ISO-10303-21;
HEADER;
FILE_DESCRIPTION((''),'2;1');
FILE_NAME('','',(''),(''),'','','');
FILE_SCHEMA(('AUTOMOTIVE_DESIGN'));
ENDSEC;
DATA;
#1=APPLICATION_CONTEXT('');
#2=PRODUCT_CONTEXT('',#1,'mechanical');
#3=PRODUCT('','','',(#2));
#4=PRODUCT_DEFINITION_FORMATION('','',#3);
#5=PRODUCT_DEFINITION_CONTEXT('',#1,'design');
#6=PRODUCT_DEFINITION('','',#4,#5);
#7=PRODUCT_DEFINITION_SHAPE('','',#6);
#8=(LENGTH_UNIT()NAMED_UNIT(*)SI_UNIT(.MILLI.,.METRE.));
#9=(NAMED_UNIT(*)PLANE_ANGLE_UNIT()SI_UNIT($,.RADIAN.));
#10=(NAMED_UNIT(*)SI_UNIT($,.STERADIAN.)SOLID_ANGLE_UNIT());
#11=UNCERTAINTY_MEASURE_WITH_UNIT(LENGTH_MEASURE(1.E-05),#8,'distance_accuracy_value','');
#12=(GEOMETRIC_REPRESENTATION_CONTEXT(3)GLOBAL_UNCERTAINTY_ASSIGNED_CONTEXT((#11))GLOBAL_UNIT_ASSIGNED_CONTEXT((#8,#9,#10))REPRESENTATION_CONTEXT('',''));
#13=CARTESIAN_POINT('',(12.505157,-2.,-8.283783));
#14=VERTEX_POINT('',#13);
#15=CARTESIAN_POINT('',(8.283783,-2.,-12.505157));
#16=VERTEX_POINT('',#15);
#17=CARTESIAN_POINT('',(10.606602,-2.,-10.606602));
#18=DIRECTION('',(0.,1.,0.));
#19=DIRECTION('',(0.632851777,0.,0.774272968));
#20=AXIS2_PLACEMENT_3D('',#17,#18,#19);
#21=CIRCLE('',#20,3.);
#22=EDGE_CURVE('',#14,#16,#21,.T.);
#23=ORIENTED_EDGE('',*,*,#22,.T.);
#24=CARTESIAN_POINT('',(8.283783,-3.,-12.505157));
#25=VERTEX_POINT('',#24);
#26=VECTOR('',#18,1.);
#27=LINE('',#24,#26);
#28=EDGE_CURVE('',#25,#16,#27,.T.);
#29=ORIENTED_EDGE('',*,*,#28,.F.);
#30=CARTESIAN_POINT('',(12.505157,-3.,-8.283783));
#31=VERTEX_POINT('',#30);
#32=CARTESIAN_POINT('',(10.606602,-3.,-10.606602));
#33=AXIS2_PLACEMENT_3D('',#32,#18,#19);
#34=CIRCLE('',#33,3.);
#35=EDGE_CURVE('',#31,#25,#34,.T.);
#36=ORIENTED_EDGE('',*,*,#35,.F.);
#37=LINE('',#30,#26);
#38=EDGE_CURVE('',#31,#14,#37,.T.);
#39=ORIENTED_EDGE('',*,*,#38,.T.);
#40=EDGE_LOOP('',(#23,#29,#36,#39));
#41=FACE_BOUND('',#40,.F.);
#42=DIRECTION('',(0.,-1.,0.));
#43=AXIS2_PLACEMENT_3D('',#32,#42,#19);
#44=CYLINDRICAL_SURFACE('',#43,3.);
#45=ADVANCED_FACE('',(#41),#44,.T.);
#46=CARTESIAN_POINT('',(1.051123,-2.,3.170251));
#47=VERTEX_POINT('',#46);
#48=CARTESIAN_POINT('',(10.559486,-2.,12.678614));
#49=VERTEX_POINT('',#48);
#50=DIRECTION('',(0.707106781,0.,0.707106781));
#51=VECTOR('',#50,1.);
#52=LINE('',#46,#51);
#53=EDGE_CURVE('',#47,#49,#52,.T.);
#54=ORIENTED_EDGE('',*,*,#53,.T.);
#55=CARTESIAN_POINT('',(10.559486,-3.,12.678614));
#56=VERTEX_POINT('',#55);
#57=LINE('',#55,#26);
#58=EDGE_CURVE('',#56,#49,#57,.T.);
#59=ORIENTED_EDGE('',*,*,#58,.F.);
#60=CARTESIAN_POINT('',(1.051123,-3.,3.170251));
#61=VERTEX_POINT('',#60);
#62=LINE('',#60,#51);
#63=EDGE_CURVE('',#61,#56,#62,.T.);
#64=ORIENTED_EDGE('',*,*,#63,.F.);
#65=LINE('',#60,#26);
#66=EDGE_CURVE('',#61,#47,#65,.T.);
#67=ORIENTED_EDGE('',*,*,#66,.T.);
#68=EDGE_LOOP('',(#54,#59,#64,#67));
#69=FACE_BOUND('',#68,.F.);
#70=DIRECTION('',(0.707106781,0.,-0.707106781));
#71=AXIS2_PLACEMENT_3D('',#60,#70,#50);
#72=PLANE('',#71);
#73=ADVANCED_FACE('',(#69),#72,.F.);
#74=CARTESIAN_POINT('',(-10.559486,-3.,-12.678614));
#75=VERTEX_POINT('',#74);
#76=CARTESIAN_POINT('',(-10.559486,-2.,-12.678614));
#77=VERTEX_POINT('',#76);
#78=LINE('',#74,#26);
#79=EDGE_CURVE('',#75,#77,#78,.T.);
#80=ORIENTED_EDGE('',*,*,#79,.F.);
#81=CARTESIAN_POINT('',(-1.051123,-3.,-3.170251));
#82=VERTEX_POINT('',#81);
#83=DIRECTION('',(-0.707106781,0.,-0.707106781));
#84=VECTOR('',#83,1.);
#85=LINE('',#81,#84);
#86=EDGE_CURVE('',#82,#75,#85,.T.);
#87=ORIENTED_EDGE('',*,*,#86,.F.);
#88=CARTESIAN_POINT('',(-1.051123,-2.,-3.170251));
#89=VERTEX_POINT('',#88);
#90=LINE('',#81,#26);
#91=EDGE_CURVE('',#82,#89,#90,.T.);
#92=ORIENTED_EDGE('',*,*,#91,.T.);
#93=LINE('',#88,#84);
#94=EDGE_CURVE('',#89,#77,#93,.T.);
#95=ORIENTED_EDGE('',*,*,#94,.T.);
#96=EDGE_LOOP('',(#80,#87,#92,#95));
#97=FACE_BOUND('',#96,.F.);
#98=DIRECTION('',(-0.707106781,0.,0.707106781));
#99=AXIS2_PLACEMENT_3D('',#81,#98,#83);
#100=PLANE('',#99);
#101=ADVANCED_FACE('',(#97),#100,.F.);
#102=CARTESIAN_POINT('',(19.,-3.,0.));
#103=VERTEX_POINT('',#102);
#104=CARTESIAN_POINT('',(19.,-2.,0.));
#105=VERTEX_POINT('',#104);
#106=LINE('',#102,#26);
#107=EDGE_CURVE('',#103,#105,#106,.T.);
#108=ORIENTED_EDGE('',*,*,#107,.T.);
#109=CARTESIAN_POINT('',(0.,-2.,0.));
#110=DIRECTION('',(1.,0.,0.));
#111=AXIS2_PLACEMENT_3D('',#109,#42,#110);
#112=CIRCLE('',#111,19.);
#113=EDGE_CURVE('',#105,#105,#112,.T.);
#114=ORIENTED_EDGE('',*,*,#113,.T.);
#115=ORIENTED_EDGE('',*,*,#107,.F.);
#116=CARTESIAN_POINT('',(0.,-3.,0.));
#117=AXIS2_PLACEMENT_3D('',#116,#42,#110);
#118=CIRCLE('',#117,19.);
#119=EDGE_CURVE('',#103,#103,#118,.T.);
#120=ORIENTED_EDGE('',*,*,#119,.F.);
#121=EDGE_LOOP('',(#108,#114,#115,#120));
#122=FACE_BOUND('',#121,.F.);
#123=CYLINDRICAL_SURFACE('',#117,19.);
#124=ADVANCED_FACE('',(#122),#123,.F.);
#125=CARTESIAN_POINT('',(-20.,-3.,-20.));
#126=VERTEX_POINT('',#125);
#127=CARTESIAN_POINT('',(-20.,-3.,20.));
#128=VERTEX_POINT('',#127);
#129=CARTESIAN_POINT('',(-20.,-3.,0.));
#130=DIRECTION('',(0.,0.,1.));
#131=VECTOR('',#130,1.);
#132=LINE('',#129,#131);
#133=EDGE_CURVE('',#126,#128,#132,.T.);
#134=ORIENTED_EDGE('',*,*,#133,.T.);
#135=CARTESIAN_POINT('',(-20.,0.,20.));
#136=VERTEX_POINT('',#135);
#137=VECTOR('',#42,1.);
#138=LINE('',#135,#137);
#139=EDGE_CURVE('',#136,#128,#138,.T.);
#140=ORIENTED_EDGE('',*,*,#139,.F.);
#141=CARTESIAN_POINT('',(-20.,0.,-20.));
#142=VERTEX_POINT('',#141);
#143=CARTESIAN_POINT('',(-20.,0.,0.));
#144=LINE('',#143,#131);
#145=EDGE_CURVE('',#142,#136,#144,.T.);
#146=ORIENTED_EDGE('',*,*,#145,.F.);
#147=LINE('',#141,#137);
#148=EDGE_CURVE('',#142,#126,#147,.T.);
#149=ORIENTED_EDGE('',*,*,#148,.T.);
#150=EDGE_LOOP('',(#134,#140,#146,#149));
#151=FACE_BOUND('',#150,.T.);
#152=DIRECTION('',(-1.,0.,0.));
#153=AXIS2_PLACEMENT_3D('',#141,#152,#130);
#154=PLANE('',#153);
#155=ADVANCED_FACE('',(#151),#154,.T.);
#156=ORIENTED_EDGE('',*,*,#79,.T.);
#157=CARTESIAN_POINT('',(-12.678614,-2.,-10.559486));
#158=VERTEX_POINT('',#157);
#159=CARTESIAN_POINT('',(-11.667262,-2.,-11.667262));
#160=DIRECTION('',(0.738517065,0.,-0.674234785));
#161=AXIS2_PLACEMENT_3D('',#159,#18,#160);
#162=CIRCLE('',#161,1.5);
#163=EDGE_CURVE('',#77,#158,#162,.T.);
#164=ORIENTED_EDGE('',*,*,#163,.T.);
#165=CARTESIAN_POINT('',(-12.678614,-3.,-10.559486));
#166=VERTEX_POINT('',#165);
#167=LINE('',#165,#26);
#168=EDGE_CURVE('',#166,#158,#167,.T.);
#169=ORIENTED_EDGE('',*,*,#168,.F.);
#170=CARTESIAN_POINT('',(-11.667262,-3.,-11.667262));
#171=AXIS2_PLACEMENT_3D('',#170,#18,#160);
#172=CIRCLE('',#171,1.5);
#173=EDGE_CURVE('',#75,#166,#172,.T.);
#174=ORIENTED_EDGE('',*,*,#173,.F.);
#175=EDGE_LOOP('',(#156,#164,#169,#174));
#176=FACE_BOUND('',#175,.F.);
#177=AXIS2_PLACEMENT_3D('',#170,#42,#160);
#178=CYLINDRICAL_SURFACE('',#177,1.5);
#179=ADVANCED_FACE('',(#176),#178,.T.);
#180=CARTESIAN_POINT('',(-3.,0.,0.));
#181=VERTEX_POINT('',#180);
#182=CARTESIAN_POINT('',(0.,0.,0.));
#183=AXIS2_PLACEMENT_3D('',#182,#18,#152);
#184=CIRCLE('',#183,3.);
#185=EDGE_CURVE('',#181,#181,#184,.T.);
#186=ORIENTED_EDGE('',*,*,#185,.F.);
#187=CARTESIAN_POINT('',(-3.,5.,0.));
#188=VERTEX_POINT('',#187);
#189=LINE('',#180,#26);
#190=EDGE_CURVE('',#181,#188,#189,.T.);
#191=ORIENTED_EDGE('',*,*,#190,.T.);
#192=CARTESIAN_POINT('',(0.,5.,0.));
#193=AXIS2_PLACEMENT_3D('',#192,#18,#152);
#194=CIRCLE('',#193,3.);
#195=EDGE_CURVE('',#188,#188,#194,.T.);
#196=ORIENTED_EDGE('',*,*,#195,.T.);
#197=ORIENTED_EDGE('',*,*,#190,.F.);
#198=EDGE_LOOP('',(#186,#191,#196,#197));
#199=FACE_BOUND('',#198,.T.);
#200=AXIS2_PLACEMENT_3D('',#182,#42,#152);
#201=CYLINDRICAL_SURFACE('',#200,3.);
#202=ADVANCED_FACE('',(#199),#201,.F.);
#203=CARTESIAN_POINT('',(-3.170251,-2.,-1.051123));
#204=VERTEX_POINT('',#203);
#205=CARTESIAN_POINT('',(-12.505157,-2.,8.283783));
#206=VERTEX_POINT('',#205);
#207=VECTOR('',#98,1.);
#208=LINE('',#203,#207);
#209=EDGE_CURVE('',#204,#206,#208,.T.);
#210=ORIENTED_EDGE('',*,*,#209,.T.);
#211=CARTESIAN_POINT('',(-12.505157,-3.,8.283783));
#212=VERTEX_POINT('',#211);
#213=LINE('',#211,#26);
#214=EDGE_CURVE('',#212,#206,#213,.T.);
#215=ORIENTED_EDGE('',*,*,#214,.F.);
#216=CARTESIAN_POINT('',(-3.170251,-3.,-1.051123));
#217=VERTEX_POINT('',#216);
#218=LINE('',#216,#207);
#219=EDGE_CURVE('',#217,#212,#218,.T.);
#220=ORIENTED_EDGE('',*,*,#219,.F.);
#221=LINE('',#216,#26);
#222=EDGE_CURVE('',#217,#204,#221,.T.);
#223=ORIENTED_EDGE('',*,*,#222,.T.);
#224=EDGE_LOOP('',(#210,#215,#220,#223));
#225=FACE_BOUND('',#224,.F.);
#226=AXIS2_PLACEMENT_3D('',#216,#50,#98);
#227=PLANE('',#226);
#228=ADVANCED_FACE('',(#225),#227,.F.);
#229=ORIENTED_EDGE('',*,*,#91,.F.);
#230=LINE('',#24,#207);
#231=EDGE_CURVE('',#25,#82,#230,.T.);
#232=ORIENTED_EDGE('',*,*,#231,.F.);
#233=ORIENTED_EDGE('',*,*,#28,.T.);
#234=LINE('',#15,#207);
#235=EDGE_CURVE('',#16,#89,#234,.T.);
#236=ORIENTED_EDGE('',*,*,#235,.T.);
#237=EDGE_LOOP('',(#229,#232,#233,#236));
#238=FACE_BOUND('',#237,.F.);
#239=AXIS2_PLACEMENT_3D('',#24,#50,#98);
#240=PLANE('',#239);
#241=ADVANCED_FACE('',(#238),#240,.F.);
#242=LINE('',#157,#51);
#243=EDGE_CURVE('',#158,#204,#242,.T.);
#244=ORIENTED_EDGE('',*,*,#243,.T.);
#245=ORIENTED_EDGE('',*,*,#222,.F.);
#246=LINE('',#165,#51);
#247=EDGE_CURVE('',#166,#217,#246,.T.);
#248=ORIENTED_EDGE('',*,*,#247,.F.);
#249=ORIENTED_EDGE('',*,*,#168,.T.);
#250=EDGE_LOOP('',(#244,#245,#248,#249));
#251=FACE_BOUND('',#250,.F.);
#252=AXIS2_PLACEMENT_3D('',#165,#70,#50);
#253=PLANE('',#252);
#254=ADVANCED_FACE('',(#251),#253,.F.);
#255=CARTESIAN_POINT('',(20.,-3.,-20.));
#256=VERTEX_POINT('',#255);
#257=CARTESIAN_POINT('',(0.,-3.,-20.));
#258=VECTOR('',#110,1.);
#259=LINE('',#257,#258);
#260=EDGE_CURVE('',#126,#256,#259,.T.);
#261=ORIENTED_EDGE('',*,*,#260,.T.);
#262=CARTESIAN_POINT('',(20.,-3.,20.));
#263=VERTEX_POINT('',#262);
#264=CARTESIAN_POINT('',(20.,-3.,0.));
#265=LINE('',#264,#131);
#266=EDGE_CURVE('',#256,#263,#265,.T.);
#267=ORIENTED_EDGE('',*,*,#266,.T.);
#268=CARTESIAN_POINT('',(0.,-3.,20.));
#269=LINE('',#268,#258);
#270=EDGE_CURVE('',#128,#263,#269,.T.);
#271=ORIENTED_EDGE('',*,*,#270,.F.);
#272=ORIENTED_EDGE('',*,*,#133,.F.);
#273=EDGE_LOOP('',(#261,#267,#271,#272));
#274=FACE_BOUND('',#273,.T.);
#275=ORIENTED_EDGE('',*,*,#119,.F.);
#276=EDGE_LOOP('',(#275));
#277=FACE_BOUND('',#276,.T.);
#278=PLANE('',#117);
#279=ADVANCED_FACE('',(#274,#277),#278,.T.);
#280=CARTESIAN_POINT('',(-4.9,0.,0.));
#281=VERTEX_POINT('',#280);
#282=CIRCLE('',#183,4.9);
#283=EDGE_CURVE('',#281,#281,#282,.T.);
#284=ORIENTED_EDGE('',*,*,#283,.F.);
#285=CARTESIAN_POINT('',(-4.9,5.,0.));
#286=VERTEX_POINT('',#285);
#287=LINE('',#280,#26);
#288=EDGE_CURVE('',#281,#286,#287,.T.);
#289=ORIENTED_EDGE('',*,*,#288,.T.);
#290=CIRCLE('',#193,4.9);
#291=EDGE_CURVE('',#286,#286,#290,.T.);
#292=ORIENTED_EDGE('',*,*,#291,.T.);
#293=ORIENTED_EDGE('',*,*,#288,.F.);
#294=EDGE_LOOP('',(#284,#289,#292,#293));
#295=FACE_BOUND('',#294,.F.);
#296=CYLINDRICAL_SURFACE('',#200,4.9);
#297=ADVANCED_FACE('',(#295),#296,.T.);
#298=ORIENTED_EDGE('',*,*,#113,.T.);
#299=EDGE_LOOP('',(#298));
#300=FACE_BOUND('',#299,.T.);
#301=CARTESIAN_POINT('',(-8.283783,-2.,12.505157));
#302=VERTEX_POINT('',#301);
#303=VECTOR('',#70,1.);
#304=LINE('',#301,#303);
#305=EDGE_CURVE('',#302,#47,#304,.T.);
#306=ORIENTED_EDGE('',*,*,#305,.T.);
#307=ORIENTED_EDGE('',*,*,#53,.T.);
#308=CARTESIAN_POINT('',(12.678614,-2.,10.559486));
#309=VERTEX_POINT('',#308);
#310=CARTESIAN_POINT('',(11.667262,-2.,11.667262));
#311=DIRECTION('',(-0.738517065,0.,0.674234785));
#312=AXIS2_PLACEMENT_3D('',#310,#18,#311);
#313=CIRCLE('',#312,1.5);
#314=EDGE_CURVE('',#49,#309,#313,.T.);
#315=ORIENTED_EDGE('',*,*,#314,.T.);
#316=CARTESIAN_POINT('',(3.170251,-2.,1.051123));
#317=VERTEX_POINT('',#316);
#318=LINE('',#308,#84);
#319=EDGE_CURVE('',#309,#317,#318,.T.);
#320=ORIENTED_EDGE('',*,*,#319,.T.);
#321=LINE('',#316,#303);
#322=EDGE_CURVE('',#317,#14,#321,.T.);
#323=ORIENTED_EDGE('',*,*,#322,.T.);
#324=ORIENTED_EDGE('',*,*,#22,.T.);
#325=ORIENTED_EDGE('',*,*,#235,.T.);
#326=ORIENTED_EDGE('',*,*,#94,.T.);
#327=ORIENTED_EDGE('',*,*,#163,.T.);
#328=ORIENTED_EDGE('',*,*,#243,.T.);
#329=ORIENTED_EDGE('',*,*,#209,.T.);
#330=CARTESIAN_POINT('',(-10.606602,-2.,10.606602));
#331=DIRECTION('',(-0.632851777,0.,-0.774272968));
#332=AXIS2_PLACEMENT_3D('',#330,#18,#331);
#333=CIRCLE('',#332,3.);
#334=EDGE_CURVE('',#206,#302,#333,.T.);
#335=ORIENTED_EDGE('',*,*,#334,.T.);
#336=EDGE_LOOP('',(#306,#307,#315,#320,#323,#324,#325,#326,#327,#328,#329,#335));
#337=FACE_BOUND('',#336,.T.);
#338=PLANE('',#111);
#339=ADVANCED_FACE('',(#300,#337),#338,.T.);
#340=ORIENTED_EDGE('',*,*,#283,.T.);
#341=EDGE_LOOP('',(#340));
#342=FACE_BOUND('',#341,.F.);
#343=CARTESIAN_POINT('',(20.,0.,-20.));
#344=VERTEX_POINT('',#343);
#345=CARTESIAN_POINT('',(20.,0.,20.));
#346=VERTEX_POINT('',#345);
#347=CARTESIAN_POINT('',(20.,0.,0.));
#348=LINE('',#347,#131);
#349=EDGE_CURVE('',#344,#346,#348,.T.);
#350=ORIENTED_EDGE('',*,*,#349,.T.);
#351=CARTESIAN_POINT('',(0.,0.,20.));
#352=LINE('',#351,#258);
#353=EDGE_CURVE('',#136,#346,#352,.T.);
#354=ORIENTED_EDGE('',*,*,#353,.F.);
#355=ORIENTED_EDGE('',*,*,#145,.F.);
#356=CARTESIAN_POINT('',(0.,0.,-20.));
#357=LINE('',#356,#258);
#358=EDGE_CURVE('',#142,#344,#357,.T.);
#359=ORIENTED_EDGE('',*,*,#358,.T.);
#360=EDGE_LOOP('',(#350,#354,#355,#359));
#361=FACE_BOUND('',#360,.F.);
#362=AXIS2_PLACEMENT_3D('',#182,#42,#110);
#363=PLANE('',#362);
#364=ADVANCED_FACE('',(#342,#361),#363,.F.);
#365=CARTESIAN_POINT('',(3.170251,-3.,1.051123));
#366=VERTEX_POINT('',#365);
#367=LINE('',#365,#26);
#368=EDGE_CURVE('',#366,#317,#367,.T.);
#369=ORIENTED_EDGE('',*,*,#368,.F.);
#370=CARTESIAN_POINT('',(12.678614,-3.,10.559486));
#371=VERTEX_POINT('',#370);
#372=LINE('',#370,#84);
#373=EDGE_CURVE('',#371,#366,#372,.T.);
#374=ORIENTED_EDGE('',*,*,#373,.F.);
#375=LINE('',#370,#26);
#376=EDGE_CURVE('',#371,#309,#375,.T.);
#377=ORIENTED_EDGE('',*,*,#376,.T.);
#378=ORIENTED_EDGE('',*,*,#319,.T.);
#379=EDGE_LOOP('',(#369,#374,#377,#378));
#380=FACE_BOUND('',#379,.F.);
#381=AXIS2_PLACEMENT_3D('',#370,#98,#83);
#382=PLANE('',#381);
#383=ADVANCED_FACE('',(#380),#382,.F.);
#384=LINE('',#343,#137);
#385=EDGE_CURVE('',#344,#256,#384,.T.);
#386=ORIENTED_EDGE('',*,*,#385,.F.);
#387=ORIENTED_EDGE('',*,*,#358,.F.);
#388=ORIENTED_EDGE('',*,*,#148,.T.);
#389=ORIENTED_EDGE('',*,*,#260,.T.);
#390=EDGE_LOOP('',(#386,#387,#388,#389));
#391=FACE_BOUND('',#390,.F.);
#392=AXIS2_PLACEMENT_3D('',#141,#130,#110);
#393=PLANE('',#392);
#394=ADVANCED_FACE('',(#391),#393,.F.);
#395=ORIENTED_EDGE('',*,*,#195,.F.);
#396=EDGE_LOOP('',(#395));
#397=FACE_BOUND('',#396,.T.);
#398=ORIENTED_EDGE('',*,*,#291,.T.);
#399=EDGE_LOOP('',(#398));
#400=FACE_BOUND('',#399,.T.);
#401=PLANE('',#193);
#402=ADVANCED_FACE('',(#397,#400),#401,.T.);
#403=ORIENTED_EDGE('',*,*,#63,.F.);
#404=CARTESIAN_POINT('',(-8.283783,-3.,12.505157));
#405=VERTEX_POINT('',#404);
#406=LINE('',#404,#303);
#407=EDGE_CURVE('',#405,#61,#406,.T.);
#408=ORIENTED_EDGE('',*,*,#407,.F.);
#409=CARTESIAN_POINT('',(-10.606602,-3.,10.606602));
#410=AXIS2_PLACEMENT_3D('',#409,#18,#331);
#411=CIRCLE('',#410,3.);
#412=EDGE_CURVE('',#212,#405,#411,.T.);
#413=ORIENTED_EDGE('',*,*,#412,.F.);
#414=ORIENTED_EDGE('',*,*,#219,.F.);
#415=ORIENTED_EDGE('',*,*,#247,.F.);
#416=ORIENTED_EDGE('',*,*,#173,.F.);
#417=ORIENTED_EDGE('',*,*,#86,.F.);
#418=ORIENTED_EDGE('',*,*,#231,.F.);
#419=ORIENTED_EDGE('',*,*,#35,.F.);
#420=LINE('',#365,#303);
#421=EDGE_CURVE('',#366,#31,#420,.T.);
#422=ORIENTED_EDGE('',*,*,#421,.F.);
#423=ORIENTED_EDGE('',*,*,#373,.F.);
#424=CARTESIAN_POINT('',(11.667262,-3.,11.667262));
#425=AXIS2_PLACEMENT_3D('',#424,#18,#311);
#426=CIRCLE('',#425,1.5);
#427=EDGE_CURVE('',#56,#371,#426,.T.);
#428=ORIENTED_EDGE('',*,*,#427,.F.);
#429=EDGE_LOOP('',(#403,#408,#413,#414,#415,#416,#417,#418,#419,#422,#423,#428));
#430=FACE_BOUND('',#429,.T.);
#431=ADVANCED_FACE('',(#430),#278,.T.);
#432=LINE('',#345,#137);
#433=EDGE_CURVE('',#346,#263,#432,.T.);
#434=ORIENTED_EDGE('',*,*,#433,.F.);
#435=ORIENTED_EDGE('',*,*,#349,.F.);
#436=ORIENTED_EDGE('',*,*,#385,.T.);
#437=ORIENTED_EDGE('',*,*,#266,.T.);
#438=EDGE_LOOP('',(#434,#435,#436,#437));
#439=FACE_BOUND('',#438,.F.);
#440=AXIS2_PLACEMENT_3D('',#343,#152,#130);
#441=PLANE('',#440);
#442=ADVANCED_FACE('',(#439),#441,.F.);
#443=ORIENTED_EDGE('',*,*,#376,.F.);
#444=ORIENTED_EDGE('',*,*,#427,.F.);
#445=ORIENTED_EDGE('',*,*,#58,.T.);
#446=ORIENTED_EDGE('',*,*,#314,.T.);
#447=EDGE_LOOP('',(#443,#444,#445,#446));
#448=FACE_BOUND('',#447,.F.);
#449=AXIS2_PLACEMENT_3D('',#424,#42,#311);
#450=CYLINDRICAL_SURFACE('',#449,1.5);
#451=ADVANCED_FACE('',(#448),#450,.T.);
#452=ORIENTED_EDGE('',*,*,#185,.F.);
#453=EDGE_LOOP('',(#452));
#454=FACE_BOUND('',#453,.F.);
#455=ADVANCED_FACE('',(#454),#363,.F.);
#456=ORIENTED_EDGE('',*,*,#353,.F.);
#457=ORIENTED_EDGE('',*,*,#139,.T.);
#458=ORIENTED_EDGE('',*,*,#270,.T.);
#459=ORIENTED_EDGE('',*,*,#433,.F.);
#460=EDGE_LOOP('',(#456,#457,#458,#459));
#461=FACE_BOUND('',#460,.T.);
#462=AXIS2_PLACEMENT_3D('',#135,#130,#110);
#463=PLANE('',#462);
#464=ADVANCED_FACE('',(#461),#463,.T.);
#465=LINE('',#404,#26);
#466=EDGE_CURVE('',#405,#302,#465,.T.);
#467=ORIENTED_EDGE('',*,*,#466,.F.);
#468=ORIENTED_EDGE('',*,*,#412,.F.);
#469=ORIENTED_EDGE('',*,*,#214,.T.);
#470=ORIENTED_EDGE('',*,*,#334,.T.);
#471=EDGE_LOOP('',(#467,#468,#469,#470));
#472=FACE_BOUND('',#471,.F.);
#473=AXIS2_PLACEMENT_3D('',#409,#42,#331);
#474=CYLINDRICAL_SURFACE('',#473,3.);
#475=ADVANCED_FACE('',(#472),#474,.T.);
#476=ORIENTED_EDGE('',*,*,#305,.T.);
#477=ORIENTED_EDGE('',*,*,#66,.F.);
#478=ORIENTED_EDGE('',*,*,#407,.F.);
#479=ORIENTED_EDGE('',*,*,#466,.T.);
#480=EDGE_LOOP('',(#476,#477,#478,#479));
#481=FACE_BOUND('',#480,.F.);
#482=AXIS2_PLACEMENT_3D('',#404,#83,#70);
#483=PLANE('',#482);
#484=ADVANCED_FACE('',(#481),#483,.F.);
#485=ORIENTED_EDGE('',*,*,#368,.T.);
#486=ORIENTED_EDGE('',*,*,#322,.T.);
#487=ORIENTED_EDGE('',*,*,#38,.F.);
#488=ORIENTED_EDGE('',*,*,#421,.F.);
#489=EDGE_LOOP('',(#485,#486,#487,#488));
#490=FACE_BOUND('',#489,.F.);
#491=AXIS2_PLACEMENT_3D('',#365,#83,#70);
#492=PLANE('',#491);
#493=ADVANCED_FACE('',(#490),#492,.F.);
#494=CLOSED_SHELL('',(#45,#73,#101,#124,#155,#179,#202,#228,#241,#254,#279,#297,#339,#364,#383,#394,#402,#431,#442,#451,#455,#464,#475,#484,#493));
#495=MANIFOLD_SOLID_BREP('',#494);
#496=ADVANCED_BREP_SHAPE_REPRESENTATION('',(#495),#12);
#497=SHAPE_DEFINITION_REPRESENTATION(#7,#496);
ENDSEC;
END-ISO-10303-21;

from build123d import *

# Parameters (mm, degrees)
F0_W     = 40
F0_H     = 40
F1_DEPTH = 3
F2_R     = 4.9
F2_R_2   = 3
F3_DEPTH = 5
F4_R     = 19
F5_DEPTH = 1


with BuildPart() as f1:
    # F0 (on Front) → F1 (new body)
    with BuildSketch(Plane.XZ):
        Rectangle(F0_W, F0_H)
    extrude(amount=F1_DEPTH)

    # F2 (on face) → F3 (join)
    with BuildSketch(Plane(origin=(0, 0, 0), x_dir=(-1, 0, 0), z_dir=(0, 1, 0))):
        Circle(F2_R)
        Circle(F2_R_2, mode=Mode.SUBTRACT)
    extrude(amount=F3_DEPTH)

    # F4 (on face) → F5 (cut)
    with BuildSketch(Plane.XZ.offset(3)):
        Circle(F4_R)
        with BuildLine():
            ThreePointArc((-12.505157, 8.283783), (-12.727922, 12.727922), (-8.283783, 12.505157))
            Line((-8.283783, 12.505157), (1.051123, 3.170251))
            Line((1.051123, 3.170251), (10.559486, 12.678614))
            ThreePointArc((10.559486, 12.678614), (12.727922, 12.727922), (12.678614, 10.559486))
            Line((12.678614, 10.559486), (3.170251, 1.051123))
            Line((3.170251, 1.051123), (12.505157, -8.283783))
            ThreePointArc((12.505157, -8.283783), (12.727922, -12.727922), (8.283783, -12.505157))
            Line((8.283783, -12.505157), (-1.051123, -3.170251))
            Line((-1.051123, -3.170251), (-10.559486, -12.678614))
            ThreePointArc((-10.559486, -12.678614), (-12.727922, -12.727922), (-12.678614, -10.559486))
            Line((-12.678614, -10.559486), (-3.170251, -1.051123))
            Line((-3.170251, -1.051123), (-12.505157, 8.283783))
        make_face(mode=Mode.SUBTRACT)
    extrude(amount=-F5_DEPTH, mode=Mode.SUBTRACT)


solid = f1.part
